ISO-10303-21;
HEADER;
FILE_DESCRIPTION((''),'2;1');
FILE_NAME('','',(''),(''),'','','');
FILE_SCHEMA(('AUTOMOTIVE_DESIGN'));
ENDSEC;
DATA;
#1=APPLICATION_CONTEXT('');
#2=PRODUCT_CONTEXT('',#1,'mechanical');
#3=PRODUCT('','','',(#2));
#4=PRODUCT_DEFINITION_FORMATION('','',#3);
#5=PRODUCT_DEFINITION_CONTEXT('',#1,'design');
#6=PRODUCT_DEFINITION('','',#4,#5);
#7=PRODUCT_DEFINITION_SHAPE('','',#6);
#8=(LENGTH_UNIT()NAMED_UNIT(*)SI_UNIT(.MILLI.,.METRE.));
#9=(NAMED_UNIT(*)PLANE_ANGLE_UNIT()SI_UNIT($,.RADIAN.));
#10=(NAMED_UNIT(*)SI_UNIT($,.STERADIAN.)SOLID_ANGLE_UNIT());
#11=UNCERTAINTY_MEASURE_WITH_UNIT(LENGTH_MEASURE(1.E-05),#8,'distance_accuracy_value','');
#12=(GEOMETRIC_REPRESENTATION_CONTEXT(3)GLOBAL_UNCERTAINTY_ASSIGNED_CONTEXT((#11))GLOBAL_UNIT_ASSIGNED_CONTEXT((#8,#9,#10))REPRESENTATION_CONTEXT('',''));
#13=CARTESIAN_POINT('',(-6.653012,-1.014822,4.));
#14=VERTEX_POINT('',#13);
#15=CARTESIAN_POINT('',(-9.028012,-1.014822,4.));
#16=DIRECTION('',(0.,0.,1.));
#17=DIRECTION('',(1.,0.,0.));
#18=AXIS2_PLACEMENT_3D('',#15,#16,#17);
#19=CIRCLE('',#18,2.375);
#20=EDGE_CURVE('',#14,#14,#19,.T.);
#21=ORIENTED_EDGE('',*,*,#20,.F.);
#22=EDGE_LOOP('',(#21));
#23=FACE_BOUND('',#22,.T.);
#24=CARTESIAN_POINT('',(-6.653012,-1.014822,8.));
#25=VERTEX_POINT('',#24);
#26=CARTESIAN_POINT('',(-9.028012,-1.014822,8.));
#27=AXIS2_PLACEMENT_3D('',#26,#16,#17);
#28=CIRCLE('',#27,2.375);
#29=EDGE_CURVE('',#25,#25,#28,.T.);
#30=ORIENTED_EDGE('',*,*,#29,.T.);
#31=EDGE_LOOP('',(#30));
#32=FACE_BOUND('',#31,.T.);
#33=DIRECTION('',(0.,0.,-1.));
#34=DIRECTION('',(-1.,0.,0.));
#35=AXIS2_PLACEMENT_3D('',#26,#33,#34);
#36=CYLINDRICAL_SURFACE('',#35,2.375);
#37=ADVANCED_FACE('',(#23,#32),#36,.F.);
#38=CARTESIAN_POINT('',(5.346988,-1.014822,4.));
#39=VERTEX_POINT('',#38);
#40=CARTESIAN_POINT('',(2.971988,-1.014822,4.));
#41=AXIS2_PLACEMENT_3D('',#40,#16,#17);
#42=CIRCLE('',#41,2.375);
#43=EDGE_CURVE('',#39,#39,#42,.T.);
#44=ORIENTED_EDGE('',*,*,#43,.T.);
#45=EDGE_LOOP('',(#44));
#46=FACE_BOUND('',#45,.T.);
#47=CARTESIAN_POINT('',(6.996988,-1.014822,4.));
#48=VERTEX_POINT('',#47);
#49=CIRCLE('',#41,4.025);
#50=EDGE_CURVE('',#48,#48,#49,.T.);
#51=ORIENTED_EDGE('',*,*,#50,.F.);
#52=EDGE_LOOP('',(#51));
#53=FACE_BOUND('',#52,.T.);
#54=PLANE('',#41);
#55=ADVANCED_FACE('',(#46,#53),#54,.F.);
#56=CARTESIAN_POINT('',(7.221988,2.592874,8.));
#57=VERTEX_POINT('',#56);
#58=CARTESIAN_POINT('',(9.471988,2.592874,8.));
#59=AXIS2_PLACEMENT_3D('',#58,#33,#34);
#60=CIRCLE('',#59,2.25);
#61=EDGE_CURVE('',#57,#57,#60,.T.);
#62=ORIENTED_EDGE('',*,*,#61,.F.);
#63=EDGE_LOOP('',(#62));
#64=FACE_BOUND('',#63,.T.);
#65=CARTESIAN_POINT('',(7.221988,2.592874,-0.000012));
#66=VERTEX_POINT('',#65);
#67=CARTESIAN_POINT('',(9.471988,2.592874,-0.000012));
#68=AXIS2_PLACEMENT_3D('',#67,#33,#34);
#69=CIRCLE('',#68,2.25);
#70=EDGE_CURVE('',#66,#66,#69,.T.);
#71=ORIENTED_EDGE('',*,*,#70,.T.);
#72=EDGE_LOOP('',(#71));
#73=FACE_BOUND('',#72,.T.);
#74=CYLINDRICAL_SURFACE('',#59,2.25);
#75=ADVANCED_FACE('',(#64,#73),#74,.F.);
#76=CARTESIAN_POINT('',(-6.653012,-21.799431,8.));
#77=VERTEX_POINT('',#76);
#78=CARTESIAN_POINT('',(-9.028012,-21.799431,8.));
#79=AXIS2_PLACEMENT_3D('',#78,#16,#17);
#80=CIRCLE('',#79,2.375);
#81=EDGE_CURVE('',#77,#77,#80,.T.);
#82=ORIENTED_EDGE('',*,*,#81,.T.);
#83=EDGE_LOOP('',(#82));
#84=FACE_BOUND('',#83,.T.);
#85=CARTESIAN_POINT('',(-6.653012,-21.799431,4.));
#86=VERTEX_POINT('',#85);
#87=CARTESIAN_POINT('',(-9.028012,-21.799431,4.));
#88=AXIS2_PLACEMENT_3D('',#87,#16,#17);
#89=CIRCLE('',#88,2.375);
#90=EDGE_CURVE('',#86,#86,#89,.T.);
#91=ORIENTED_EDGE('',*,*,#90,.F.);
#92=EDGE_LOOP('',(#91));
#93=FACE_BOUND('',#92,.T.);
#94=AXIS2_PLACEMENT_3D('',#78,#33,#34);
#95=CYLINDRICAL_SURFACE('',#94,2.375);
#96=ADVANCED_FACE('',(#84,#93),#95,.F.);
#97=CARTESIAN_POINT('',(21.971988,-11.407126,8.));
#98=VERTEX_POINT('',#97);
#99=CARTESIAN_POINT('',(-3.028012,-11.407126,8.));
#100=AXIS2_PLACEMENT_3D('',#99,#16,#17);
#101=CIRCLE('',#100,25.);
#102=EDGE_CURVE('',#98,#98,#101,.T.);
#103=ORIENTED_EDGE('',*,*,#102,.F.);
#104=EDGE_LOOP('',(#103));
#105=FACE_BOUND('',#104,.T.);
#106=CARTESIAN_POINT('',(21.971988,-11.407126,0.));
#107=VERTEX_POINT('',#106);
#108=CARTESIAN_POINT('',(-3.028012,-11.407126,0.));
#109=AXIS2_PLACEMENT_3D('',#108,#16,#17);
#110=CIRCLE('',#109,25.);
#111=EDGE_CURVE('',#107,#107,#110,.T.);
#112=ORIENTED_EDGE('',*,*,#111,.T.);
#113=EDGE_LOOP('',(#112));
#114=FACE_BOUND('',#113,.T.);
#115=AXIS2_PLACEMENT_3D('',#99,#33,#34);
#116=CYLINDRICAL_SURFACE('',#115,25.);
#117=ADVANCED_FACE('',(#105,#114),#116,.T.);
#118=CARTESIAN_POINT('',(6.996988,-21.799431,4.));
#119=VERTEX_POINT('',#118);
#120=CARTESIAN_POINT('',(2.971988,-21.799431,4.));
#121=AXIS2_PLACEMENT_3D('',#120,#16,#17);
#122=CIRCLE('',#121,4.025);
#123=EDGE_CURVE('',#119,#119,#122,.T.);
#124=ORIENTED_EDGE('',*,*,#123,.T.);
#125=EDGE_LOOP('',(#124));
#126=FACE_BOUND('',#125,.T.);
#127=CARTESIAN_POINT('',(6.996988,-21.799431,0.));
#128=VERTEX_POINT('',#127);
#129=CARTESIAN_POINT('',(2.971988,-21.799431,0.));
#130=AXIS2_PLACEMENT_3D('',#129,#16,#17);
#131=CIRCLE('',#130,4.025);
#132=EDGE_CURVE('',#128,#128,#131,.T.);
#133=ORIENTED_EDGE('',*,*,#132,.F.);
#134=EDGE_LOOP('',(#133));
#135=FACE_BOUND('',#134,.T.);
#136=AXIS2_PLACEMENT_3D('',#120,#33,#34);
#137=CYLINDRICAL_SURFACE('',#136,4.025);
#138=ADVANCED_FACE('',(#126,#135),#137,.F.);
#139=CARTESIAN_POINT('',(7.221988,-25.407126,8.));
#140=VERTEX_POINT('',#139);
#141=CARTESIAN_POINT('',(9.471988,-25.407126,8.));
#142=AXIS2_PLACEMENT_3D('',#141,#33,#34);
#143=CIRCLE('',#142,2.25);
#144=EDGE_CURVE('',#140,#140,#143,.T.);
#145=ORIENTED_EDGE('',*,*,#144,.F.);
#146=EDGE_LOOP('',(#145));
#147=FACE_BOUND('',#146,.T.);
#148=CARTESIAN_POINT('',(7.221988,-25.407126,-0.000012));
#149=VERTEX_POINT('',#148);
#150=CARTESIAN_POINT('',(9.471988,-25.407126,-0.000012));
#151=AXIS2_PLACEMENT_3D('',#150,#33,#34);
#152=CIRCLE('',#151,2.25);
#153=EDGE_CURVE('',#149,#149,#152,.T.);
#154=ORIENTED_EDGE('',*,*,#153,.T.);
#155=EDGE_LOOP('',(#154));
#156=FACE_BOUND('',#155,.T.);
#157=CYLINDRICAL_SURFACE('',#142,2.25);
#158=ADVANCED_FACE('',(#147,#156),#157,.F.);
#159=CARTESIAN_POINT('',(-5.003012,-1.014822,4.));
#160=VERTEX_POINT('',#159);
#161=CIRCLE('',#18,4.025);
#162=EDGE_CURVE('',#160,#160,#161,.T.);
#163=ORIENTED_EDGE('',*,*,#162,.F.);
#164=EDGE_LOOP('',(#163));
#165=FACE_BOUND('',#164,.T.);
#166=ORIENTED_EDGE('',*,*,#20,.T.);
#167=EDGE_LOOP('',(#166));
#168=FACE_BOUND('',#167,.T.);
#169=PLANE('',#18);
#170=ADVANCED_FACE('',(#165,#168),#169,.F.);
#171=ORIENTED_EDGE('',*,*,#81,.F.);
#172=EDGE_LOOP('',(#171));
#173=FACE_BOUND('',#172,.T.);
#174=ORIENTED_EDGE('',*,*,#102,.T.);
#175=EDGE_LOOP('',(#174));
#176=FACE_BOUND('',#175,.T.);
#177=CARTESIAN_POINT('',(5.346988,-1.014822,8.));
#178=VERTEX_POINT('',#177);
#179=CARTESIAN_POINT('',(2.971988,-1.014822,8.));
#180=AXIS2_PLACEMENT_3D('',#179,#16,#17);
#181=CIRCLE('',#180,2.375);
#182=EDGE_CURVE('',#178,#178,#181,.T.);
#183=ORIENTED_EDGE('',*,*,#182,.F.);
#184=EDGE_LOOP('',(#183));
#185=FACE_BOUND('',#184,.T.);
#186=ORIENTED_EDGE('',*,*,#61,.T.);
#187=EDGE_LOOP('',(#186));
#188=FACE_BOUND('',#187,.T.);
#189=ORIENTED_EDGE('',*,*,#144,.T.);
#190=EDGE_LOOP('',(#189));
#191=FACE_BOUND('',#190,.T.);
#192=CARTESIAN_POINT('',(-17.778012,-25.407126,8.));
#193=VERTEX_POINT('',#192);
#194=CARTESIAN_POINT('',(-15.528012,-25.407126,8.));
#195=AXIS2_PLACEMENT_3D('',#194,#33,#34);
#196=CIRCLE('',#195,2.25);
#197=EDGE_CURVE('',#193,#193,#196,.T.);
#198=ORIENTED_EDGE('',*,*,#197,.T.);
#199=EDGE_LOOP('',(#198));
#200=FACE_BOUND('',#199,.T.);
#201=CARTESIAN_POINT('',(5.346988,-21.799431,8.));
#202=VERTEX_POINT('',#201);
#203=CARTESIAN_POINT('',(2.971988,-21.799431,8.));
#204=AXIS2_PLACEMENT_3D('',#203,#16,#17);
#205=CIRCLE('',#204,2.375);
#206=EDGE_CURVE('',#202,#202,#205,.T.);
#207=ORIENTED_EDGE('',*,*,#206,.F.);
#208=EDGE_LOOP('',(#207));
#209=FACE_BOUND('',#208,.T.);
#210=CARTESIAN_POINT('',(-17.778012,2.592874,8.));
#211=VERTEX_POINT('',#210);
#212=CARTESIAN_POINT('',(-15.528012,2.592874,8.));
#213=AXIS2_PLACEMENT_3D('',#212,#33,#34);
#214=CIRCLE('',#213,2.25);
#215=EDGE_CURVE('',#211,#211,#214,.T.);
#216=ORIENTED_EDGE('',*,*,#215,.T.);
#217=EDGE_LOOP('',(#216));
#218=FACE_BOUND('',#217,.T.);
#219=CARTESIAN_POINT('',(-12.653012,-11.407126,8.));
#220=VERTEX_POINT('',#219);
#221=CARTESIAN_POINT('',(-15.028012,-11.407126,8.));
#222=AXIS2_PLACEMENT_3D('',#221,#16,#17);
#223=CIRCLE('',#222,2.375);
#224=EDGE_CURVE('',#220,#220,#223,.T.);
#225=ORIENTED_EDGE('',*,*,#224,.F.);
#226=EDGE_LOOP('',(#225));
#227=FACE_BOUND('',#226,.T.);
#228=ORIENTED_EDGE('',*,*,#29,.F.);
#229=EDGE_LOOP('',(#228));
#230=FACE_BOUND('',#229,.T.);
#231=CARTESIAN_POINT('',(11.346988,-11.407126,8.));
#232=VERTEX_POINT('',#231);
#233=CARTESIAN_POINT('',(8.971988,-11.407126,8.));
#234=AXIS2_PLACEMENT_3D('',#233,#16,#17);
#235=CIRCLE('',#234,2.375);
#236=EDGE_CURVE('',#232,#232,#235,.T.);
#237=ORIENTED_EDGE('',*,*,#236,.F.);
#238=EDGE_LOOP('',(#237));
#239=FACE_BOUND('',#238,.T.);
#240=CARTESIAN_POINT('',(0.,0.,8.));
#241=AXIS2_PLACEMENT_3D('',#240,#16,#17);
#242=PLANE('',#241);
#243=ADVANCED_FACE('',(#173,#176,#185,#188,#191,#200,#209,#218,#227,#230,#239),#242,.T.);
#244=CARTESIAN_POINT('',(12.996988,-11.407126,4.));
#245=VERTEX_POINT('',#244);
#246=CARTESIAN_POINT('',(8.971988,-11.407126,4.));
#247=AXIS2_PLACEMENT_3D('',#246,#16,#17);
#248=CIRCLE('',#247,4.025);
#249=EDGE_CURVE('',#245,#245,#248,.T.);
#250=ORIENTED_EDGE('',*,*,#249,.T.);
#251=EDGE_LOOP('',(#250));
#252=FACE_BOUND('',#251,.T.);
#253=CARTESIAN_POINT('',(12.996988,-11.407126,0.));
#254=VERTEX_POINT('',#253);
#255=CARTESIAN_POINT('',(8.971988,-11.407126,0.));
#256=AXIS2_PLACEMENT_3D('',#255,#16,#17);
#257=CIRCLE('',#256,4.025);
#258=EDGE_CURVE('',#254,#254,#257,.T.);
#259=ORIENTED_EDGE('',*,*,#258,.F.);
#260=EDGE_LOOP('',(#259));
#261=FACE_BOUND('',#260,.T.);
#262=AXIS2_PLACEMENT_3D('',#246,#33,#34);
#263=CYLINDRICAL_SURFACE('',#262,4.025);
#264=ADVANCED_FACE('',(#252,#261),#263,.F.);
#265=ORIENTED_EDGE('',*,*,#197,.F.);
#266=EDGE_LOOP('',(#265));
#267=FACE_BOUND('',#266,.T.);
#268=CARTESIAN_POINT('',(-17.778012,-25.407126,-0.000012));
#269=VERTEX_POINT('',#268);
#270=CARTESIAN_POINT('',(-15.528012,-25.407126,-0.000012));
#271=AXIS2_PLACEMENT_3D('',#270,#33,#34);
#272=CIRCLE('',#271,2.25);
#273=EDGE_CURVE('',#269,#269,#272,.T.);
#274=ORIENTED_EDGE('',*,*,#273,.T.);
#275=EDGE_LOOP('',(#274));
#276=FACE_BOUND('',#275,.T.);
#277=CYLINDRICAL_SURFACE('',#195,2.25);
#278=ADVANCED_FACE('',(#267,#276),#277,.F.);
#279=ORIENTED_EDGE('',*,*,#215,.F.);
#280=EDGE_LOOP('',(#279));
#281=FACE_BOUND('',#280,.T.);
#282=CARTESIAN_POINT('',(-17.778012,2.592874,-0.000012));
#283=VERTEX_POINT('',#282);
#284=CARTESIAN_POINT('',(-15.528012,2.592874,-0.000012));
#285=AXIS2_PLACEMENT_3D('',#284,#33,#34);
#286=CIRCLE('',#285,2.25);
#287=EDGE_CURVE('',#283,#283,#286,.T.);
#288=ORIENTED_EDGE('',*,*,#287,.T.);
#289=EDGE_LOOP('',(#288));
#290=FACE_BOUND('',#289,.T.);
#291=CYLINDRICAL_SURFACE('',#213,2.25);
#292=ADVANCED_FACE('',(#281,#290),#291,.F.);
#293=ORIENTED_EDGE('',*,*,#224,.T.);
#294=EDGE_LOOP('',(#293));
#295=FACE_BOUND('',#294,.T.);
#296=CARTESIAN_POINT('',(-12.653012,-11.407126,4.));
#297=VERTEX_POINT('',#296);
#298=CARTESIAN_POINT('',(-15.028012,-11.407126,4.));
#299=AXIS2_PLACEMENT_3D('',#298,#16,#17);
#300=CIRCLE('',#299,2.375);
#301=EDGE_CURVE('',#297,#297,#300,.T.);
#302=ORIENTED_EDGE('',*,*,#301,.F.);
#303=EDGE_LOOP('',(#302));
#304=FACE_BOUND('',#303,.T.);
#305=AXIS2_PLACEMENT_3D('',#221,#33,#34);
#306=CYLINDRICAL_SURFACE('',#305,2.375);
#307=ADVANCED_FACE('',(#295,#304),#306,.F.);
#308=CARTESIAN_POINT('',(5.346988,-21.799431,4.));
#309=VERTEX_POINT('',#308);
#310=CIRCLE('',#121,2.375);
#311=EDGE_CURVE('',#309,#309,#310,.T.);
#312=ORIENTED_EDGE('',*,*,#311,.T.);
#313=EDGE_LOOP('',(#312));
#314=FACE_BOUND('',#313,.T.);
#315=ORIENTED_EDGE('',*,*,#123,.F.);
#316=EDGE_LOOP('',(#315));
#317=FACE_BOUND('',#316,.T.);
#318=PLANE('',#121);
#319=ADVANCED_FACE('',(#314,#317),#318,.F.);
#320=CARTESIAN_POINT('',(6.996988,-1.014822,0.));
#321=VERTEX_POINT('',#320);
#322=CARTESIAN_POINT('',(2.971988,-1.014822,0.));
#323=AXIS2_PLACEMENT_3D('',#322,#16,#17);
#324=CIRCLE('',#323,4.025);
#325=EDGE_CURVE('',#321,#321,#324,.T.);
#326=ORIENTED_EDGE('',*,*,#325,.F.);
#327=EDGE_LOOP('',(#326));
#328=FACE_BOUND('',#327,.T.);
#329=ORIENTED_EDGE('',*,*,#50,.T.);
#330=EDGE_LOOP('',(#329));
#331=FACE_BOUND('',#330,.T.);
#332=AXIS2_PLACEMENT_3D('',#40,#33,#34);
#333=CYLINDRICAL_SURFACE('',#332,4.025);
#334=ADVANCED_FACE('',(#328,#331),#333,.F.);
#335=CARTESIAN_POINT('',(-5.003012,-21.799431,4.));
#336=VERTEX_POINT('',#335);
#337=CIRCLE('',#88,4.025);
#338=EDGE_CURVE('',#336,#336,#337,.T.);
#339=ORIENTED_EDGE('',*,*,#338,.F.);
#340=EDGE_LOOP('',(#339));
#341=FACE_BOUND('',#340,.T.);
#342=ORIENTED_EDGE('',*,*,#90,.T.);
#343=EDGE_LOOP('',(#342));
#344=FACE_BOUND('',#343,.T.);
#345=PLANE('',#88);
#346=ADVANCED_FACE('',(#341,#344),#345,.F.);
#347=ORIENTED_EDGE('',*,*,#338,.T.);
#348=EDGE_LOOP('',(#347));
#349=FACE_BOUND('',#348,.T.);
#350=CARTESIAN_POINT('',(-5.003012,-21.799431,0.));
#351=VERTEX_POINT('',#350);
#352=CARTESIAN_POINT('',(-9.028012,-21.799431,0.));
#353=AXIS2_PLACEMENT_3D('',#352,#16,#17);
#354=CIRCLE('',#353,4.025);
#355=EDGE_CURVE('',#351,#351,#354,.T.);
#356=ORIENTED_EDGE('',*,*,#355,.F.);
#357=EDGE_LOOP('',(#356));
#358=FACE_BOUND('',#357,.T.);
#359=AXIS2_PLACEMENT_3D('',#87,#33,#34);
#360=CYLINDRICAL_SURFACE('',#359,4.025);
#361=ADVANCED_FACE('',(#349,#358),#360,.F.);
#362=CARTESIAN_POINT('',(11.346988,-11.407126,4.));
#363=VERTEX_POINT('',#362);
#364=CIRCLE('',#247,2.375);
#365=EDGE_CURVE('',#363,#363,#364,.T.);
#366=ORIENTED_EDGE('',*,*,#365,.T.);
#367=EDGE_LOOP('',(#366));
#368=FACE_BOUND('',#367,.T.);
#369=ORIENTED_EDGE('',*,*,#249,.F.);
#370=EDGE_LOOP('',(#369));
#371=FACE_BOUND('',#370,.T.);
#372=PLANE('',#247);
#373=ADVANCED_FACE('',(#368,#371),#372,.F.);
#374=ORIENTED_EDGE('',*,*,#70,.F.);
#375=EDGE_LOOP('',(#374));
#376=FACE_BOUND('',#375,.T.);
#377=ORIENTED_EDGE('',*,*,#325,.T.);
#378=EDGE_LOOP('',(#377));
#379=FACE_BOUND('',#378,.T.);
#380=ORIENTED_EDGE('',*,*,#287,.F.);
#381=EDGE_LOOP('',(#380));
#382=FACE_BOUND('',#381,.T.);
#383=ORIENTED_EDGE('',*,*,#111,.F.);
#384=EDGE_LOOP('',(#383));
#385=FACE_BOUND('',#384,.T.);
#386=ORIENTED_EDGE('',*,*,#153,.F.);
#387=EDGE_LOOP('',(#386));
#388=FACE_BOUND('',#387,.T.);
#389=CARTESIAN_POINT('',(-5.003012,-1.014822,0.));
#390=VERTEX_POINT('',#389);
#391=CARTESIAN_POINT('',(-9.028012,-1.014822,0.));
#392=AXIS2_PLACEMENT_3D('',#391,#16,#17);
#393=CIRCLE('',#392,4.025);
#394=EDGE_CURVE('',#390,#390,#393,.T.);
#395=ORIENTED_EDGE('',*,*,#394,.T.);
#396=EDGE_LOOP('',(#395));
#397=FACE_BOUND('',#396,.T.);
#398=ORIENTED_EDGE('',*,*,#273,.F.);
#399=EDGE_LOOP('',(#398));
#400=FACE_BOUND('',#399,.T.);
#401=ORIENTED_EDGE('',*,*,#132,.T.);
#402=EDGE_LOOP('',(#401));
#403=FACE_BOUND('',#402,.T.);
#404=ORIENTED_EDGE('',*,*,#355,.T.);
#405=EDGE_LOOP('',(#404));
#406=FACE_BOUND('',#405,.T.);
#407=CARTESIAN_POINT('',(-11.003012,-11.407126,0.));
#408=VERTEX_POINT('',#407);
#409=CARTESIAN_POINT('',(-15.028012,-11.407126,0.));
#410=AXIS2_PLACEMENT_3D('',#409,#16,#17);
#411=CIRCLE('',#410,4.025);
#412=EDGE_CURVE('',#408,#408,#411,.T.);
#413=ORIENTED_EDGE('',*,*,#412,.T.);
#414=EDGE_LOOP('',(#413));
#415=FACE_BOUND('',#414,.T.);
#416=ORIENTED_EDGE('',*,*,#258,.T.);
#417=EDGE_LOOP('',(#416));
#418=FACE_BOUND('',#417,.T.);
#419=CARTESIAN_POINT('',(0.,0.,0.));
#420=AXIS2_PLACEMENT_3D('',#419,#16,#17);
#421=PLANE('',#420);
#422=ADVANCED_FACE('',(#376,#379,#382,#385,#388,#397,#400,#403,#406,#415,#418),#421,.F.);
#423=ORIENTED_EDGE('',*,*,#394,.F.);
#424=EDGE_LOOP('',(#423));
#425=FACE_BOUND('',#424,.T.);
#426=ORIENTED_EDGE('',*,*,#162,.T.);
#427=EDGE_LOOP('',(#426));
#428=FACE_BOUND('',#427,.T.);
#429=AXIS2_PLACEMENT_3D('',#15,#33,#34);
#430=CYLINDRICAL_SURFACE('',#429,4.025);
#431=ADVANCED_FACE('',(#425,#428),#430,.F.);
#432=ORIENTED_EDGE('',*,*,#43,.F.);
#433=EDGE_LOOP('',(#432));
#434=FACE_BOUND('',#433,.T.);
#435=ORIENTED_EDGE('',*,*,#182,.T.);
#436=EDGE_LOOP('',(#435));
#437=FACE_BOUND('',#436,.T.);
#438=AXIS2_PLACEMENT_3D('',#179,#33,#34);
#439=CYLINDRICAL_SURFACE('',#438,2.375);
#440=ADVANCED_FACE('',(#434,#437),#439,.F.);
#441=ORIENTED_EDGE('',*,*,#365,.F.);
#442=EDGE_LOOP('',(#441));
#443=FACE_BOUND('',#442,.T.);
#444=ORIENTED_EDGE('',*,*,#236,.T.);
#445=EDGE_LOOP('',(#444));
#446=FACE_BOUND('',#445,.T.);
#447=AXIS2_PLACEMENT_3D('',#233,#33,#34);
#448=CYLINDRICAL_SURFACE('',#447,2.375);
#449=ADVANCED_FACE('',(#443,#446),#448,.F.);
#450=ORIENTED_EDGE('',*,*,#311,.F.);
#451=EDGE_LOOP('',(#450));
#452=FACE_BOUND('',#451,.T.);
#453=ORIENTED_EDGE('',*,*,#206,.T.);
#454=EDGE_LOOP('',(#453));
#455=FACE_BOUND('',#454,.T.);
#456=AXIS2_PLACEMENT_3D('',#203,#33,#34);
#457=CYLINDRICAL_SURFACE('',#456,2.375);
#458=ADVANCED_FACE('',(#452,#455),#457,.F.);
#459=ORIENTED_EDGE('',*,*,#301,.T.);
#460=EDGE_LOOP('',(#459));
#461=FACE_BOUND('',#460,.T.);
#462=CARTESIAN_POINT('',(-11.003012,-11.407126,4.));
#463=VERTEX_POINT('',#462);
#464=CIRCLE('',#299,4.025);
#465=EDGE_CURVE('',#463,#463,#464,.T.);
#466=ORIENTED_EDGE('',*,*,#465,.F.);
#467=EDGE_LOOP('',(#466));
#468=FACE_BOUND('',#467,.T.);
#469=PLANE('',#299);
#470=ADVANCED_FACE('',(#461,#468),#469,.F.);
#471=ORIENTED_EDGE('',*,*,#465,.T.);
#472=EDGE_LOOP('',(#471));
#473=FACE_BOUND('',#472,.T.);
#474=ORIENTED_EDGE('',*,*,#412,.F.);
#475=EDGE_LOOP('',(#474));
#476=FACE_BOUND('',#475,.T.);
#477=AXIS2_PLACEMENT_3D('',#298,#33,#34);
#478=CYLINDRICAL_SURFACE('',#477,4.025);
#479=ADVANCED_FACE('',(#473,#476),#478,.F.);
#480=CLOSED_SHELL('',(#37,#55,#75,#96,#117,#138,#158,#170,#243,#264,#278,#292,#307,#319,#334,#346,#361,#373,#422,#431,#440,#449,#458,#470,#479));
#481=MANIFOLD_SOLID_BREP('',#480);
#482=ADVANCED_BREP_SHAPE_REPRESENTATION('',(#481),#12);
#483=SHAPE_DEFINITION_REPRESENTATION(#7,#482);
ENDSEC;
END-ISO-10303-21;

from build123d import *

# Parameters (mm, degrees)
SKETCH2_R               = 25
SKETCH2_R_2             = 4.025
SKETCH2_R_3             = 6.25
SKETCH2_R_4             = 2.375
BOSS_EXTRUDE2_DEPTH     = 8
CUT_EXTRUDE1_DEPTH      = 47.637413369
CUT_EXTRUDE1_DEPTH_BACK = 47.637413369
SKETCH3_R               = 2.25
SKETCH2_4_R             = 4.025
CUT_EXTRUDE2_DEPTH      = 4


with BuildPart() as part:
    # Sketch2 → Boss-Extrude2 (new body)
    # profile 1 of 8: a face of its own
    with BuildSketch(Plane.XY):
        with Locations((-3.028012221, -11.407126455)):
            Circle(SKETCH2_R)
        with Locations((-15.028012221, -11.407126455)):
            Circle(SKETCH2_R_2, mode=Mode.SUBTRACT)
        with Locations((-9.028012221, -1.014821609)):
            Circle(SKETCH2_R_2, mode=Mode.SUBTRACT)
        with Locations((2.971987779, -1.014821609)):
            Circle(SKETCH2_R_2, mode=Mode.SUBTRACT)
        with Locations((8.971987779, -11.407126455)):
            Circle(SKETCH2_R_2, mode=Mode.SUBTRACT)
        with Locations((2.971987779, -21.7994313)):
            Circle(SKETCH2_R_2, mode=Mode.SUBTRACT)
        with Locations((-9.028012221, -21.7994313)):
            Circle(SKETCH2_R_2, mode=Mode.SUBTRACT)
        with Locations((-3.028012221, -11.407126455)):
            Circle(SKETCH2_R_3, mode=Mode.SUBTRACT)
    # profile 2 of 8: a face of its own
    with BuildSketch(Plane.XY):
        with Locations((-15.028012221, -11.407126455)):
            Circle(SKETCH2_R_2)
        with Locations((-15.028012221, -11.407126455)):
            Circle(SKETCH2_R_4, mode=Mode.SUBTRACT)
    # profile 3 of 8: a face of its own
    with BuildSketch(Plane.XY):
        with Locations((-3.028012221, -11.407126455)):
            Circle(SKETCH2_R_3)
    # profile 4 of 8: a face of its own
    with BuildSketch(Plane.XY):
        with Locations((-9.028012221, -1.014821609)):
            Circle(SKETCH2_R_2)
        with Locations((-9.028012221, -1.014821609)):
            Circle(SKETCH2_R_4, mode=Mode.SUBTRACT)
    # profile 5 of 8: a face of its own
    with BuildSketch(Plane.XY):
        with Locations((2.971987779, -1.014821609)):
            Circle(SKETCH2_R_2)
        with Locations((2.971987779, -1.014821609)):
            Circle(SKETCH2_R_4, mode=Mode.SUBTRACT)
    # profile 6 of 8: a face of its own
    with BuildSketch(Plane.XY):
        with Locations((8.971987779, -11.407126455)):
            Circle(SKETCH2_R_2)
        with Locations((8.971987779, -11.407126455)):
            Circle(SKETCH2_R_4, mode=Mode.SUBTRACT)
    # profile 7 of 8: a face of its own
    with BuildSketch(Plane.XY):
        with Locations((2.971987779, -21.7994313)):
            Circle(SKETCH2_R_2)
        with Locations((2.971987779, -21.7994313)):
            Circle(SKETCH2_R_4, mode=Mode.SUBTRACT)
    # profile 8 of 8: a face of its own
    with BuildSketch(Plane.XY):
        with Locations((-9.028012221, -21.7994313)):
            Circle(SKETCH2_R_2)
        with Locations((-9.028012221, -21.7994313)):
            Circle(SKETCH2_R_4, mode=Mode.SUBTRACT)
    extrude(amount=BOSS_EXTRUDE2_DEPTH)

    # Sketch3 → Cut-Extrude1 (cut, two sides: drawn at the far end of the back side and taken through both)
    with BuildSketch(Plane(origin=(0, 0, 0), x_dir=(-1, 0, 0), z_dir=(0, 0, -1)).offset(-CUT_EXTRUDE1_DEPTH_BACK)):
        with Locations((-9.471987779, 2.592873545)):
            Circle(SKETCH3_R)
        with Locations((15.528012221, 2.592873545)):
            Circle(SKETCH3_R)
        with Locations((15.528012221, -25.407126455)):
            Circle(SKETCH3_R)
        with Locations((-9.471987779, -25.407126455)):
            Circle(SKETCH3_R)
    extrude(amount=CUT_EXTRUDE1_DEPTH + CUT_EXTRUDE1_DEPTH_BACK, mode=Mode.SUBTRACT)

    # Sketch2<4> → Cut-Extrude2 (cut)
    with BuildSketch(Plane.XY):
        with Locations((-15.028012221, -11.407126455)):
            Circle(SKETCH2_4_R)
        with Locations((-9.028012221, -1.014821609)):
            Circle(SKETCH2_4_R)
        with Locations((2.971987779, -1.014821609)):
            Circle(SKETCH2_4_R)
        with Locations((8.971987779, -11.407126455)):
            Circle(SKETCH2_4_R)
        with Locations((2.971987779, -21.7994313)):
            Circle(SKETCH2_4_R)
        with Locations((-9.028012221, -21.7994313)):
            Circle(SKETCH2_4_R)
    extrude(amount=CUT_EXTRUDE2_DEPTH, mode=Mode.SUBTRACT)


solid = part.part
